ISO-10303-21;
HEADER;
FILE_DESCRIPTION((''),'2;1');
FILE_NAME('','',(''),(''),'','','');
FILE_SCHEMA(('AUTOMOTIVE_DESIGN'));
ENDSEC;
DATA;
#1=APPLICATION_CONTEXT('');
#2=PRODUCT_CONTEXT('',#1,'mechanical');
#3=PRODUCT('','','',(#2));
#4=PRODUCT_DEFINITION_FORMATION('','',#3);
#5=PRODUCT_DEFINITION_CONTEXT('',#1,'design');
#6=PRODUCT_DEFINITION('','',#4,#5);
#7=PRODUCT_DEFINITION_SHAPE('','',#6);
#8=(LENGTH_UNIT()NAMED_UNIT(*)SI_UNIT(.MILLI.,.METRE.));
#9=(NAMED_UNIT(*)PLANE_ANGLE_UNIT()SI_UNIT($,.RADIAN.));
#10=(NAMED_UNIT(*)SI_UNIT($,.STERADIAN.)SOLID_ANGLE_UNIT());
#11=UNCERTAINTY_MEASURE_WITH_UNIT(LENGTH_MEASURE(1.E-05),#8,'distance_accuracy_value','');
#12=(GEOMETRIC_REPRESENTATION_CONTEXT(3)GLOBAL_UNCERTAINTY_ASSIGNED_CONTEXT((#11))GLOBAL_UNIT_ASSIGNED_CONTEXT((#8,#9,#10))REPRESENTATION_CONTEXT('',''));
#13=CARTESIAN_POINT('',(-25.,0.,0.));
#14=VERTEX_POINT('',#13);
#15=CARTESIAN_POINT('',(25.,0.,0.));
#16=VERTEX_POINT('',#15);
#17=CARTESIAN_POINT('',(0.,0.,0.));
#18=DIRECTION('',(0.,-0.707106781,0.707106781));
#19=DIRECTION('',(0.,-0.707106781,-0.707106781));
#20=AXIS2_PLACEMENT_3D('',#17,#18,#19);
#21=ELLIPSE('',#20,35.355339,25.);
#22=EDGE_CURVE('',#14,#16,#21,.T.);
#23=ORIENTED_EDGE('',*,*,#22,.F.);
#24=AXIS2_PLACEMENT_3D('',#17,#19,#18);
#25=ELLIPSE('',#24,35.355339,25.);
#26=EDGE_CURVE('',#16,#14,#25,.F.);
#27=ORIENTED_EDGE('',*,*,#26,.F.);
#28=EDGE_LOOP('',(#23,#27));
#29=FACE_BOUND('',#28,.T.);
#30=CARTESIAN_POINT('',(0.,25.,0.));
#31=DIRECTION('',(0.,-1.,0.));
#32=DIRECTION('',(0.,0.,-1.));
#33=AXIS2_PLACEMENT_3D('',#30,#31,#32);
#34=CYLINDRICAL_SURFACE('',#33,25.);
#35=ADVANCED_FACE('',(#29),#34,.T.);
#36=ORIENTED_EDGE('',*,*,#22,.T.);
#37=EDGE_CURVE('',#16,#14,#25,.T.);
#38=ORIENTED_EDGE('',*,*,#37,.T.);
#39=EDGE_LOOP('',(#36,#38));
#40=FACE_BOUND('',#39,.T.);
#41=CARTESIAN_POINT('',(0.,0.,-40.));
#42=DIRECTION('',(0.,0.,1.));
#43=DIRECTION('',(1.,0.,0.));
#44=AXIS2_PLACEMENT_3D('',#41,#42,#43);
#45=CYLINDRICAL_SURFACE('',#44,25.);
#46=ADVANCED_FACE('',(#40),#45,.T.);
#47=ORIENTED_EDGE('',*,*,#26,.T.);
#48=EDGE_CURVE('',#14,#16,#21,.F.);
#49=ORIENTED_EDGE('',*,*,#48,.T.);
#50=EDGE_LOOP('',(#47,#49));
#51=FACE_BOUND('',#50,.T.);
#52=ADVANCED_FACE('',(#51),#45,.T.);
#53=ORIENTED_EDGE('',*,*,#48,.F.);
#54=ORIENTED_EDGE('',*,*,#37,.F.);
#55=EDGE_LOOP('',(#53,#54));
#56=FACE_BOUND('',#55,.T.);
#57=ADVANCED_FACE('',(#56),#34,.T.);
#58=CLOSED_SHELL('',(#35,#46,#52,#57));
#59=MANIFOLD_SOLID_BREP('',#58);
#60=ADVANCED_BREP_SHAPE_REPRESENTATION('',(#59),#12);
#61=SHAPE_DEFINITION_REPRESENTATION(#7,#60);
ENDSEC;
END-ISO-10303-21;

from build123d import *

# Parameters (mm, degrees)
SKETCH_1_R          = 25
EXTRUDE_1_DEPTH     = 25
SKETCH_2_OUTSIDE_W  = 69.32
SKETCH_2_OUTSIDE_H  = 69.32
SKETCH_2_OUTSIDE_R  = 25
CUT_EXTRUDE_1_DEPTH = 40


with BuildPart() as part:
    # 草图1 → 凸台-拉伸1 (new, symmetric)
    with BuildSketch(Plane(origin=(0, 0, 0), x_dir=(1, 0, 0), z_dir=(0, 1, 0))):
        with Locations(Location((0, 0, 0), (0, 0, 270))):
            Circle(SKETCH_1_R)
    extrude(amount=EXTRUDE_1_DEPTH, both=True)

    # 草图2 outside → 切除-拉伸1 (cut, symmetric)
    with BuildSketch(Plane.XY):
        Rectangle(SKETCH_2_OUTSIDE_W, SKETCH_2_OUTSIDE_H)
        Circle(SKETCH_2_OUTSIDE_R, mode=Mode.SUBTRACT)
    extrude(amount=CUT_EXTRUDE_1_DEPTH, both=True, mode=Mode.SUBTRACT)


solid = part.part
